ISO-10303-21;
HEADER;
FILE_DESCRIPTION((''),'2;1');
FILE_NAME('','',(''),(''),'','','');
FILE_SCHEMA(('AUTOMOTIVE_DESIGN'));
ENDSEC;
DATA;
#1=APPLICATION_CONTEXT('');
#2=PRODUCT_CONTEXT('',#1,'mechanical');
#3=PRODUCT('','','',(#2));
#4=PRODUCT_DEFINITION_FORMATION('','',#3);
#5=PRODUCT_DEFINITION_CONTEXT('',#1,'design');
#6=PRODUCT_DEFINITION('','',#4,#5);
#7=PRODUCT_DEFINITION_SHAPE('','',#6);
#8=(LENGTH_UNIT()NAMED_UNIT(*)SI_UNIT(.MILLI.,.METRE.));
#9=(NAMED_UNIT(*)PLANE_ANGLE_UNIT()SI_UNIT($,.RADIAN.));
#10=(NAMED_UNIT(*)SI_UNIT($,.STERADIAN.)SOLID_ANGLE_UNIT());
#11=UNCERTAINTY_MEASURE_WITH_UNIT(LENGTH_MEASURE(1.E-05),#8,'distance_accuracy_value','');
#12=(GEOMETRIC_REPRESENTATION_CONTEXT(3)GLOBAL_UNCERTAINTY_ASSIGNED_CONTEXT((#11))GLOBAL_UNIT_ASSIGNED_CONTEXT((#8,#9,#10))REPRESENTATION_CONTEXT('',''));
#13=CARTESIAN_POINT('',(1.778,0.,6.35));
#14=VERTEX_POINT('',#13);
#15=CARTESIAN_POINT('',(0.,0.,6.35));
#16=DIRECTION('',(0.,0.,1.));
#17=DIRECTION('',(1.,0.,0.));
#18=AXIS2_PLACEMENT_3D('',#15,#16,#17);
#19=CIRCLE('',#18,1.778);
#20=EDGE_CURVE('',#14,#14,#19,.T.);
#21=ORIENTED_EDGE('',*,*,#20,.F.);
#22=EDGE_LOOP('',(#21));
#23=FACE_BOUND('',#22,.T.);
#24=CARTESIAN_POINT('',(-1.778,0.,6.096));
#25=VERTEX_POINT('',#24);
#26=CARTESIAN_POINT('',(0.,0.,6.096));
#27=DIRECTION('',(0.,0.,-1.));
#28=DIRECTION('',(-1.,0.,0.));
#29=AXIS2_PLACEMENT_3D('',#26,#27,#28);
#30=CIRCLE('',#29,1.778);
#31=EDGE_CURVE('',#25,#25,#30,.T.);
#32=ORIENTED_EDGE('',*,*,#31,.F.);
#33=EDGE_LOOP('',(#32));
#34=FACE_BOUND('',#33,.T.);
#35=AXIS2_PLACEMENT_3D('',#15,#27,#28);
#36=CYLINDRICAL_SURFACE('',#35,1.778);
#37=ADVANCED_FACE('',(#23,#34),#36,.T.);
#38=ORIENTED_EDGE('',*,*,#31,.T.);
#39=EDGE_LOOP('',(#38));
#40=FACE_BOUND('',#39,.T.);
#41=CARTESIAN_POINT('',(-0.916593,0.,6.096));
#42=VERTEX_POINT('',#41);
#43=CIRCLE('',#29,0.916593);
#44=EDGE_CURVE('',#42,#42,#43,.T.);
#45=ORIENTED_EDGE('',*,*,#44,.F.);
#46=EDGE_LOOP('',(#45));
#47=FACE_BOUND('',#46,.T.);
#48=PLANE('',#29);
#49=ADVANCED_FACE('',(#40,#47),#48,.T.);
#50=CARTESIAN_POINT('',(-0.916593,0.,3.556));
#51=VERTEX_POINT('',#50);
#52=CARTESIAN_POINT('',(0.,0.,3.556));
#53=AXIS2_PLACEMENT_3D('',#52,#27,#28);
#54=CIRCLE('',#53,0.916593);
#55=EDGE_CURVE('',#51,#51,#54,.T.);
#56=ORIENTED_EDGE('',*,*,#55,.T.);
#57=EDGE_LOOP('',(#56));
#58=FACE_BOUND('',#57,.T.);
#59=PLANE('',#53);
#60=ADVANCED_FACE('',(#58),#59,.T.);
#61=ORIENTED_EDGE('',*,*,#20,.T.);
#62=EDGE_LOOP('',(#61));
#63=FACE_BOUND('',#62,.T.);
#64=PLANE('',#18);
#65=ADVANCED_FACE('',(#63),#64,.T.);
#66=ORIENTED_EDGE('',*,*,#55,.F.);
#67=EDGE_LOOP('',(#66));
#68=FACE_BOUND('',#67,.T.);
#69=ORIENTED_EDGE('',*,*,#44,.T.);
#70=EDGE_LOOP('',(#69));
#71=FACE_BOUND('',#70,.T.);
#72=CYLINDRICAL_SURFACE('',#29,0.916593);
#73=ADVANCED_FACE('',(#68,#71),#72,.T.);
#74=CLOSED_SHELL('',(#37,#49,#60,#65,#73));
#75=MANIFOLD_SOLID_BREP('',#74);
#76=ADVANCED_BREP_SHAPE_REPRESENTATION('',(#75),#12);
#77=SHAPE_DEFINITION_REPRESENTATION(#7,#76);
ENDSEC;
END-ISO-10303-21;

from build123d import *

# Parameters (mm, degrees)
SKETCH1_R           = 1.778
BOSS_EXTRUDE1_DEPTH = 6.35
SKETCH5_R           = 1.778
SKETCH5_R_2         = 0.916592799
CUT_EXTRUDE3_DEPTH  = 6.096
SKETCH6_R           = 0.916592799
CUT_EXTRUDE4_DEPTH  = 3.556


with BuildPart() as part:
    # Sketch1 → Boss-Extrude1 (new body)
    with BuildSketch(Plane.XY):
        Circle(SKETCH1_R)
    extrude(amount=BOSS_EXTRUDE1_DEPTH)

    # Sketch5 → Cut-Extrude3 (cut)
    with BuildSketch(Plane(origin=(0, 0, 0), x_dir=(-1, 0, 0), z_dir=(0, 0, -1))):
        Circle(SKETCH5_R)
        Circle(SKETCH5_R_2, mode=Mode.SUBTRACT)
    extrude(amount=-CUT_EXTRUDE3_DEPTH, mode=Mode.SUBTRACT)

    # Sketch6 → Cut-Extrude4 (cut)
    with BuildSketch(Plane(origin=(0, 0, 0), x_dir=(-1, 0, 0), z_dir=(0, 0, -1))):
        Circle(SKETCH6_R)
    extrude(amount=-CUT_EXTRUDE4_DEPTH, mode=Mode.SUBTRACT)


solid = part.part
